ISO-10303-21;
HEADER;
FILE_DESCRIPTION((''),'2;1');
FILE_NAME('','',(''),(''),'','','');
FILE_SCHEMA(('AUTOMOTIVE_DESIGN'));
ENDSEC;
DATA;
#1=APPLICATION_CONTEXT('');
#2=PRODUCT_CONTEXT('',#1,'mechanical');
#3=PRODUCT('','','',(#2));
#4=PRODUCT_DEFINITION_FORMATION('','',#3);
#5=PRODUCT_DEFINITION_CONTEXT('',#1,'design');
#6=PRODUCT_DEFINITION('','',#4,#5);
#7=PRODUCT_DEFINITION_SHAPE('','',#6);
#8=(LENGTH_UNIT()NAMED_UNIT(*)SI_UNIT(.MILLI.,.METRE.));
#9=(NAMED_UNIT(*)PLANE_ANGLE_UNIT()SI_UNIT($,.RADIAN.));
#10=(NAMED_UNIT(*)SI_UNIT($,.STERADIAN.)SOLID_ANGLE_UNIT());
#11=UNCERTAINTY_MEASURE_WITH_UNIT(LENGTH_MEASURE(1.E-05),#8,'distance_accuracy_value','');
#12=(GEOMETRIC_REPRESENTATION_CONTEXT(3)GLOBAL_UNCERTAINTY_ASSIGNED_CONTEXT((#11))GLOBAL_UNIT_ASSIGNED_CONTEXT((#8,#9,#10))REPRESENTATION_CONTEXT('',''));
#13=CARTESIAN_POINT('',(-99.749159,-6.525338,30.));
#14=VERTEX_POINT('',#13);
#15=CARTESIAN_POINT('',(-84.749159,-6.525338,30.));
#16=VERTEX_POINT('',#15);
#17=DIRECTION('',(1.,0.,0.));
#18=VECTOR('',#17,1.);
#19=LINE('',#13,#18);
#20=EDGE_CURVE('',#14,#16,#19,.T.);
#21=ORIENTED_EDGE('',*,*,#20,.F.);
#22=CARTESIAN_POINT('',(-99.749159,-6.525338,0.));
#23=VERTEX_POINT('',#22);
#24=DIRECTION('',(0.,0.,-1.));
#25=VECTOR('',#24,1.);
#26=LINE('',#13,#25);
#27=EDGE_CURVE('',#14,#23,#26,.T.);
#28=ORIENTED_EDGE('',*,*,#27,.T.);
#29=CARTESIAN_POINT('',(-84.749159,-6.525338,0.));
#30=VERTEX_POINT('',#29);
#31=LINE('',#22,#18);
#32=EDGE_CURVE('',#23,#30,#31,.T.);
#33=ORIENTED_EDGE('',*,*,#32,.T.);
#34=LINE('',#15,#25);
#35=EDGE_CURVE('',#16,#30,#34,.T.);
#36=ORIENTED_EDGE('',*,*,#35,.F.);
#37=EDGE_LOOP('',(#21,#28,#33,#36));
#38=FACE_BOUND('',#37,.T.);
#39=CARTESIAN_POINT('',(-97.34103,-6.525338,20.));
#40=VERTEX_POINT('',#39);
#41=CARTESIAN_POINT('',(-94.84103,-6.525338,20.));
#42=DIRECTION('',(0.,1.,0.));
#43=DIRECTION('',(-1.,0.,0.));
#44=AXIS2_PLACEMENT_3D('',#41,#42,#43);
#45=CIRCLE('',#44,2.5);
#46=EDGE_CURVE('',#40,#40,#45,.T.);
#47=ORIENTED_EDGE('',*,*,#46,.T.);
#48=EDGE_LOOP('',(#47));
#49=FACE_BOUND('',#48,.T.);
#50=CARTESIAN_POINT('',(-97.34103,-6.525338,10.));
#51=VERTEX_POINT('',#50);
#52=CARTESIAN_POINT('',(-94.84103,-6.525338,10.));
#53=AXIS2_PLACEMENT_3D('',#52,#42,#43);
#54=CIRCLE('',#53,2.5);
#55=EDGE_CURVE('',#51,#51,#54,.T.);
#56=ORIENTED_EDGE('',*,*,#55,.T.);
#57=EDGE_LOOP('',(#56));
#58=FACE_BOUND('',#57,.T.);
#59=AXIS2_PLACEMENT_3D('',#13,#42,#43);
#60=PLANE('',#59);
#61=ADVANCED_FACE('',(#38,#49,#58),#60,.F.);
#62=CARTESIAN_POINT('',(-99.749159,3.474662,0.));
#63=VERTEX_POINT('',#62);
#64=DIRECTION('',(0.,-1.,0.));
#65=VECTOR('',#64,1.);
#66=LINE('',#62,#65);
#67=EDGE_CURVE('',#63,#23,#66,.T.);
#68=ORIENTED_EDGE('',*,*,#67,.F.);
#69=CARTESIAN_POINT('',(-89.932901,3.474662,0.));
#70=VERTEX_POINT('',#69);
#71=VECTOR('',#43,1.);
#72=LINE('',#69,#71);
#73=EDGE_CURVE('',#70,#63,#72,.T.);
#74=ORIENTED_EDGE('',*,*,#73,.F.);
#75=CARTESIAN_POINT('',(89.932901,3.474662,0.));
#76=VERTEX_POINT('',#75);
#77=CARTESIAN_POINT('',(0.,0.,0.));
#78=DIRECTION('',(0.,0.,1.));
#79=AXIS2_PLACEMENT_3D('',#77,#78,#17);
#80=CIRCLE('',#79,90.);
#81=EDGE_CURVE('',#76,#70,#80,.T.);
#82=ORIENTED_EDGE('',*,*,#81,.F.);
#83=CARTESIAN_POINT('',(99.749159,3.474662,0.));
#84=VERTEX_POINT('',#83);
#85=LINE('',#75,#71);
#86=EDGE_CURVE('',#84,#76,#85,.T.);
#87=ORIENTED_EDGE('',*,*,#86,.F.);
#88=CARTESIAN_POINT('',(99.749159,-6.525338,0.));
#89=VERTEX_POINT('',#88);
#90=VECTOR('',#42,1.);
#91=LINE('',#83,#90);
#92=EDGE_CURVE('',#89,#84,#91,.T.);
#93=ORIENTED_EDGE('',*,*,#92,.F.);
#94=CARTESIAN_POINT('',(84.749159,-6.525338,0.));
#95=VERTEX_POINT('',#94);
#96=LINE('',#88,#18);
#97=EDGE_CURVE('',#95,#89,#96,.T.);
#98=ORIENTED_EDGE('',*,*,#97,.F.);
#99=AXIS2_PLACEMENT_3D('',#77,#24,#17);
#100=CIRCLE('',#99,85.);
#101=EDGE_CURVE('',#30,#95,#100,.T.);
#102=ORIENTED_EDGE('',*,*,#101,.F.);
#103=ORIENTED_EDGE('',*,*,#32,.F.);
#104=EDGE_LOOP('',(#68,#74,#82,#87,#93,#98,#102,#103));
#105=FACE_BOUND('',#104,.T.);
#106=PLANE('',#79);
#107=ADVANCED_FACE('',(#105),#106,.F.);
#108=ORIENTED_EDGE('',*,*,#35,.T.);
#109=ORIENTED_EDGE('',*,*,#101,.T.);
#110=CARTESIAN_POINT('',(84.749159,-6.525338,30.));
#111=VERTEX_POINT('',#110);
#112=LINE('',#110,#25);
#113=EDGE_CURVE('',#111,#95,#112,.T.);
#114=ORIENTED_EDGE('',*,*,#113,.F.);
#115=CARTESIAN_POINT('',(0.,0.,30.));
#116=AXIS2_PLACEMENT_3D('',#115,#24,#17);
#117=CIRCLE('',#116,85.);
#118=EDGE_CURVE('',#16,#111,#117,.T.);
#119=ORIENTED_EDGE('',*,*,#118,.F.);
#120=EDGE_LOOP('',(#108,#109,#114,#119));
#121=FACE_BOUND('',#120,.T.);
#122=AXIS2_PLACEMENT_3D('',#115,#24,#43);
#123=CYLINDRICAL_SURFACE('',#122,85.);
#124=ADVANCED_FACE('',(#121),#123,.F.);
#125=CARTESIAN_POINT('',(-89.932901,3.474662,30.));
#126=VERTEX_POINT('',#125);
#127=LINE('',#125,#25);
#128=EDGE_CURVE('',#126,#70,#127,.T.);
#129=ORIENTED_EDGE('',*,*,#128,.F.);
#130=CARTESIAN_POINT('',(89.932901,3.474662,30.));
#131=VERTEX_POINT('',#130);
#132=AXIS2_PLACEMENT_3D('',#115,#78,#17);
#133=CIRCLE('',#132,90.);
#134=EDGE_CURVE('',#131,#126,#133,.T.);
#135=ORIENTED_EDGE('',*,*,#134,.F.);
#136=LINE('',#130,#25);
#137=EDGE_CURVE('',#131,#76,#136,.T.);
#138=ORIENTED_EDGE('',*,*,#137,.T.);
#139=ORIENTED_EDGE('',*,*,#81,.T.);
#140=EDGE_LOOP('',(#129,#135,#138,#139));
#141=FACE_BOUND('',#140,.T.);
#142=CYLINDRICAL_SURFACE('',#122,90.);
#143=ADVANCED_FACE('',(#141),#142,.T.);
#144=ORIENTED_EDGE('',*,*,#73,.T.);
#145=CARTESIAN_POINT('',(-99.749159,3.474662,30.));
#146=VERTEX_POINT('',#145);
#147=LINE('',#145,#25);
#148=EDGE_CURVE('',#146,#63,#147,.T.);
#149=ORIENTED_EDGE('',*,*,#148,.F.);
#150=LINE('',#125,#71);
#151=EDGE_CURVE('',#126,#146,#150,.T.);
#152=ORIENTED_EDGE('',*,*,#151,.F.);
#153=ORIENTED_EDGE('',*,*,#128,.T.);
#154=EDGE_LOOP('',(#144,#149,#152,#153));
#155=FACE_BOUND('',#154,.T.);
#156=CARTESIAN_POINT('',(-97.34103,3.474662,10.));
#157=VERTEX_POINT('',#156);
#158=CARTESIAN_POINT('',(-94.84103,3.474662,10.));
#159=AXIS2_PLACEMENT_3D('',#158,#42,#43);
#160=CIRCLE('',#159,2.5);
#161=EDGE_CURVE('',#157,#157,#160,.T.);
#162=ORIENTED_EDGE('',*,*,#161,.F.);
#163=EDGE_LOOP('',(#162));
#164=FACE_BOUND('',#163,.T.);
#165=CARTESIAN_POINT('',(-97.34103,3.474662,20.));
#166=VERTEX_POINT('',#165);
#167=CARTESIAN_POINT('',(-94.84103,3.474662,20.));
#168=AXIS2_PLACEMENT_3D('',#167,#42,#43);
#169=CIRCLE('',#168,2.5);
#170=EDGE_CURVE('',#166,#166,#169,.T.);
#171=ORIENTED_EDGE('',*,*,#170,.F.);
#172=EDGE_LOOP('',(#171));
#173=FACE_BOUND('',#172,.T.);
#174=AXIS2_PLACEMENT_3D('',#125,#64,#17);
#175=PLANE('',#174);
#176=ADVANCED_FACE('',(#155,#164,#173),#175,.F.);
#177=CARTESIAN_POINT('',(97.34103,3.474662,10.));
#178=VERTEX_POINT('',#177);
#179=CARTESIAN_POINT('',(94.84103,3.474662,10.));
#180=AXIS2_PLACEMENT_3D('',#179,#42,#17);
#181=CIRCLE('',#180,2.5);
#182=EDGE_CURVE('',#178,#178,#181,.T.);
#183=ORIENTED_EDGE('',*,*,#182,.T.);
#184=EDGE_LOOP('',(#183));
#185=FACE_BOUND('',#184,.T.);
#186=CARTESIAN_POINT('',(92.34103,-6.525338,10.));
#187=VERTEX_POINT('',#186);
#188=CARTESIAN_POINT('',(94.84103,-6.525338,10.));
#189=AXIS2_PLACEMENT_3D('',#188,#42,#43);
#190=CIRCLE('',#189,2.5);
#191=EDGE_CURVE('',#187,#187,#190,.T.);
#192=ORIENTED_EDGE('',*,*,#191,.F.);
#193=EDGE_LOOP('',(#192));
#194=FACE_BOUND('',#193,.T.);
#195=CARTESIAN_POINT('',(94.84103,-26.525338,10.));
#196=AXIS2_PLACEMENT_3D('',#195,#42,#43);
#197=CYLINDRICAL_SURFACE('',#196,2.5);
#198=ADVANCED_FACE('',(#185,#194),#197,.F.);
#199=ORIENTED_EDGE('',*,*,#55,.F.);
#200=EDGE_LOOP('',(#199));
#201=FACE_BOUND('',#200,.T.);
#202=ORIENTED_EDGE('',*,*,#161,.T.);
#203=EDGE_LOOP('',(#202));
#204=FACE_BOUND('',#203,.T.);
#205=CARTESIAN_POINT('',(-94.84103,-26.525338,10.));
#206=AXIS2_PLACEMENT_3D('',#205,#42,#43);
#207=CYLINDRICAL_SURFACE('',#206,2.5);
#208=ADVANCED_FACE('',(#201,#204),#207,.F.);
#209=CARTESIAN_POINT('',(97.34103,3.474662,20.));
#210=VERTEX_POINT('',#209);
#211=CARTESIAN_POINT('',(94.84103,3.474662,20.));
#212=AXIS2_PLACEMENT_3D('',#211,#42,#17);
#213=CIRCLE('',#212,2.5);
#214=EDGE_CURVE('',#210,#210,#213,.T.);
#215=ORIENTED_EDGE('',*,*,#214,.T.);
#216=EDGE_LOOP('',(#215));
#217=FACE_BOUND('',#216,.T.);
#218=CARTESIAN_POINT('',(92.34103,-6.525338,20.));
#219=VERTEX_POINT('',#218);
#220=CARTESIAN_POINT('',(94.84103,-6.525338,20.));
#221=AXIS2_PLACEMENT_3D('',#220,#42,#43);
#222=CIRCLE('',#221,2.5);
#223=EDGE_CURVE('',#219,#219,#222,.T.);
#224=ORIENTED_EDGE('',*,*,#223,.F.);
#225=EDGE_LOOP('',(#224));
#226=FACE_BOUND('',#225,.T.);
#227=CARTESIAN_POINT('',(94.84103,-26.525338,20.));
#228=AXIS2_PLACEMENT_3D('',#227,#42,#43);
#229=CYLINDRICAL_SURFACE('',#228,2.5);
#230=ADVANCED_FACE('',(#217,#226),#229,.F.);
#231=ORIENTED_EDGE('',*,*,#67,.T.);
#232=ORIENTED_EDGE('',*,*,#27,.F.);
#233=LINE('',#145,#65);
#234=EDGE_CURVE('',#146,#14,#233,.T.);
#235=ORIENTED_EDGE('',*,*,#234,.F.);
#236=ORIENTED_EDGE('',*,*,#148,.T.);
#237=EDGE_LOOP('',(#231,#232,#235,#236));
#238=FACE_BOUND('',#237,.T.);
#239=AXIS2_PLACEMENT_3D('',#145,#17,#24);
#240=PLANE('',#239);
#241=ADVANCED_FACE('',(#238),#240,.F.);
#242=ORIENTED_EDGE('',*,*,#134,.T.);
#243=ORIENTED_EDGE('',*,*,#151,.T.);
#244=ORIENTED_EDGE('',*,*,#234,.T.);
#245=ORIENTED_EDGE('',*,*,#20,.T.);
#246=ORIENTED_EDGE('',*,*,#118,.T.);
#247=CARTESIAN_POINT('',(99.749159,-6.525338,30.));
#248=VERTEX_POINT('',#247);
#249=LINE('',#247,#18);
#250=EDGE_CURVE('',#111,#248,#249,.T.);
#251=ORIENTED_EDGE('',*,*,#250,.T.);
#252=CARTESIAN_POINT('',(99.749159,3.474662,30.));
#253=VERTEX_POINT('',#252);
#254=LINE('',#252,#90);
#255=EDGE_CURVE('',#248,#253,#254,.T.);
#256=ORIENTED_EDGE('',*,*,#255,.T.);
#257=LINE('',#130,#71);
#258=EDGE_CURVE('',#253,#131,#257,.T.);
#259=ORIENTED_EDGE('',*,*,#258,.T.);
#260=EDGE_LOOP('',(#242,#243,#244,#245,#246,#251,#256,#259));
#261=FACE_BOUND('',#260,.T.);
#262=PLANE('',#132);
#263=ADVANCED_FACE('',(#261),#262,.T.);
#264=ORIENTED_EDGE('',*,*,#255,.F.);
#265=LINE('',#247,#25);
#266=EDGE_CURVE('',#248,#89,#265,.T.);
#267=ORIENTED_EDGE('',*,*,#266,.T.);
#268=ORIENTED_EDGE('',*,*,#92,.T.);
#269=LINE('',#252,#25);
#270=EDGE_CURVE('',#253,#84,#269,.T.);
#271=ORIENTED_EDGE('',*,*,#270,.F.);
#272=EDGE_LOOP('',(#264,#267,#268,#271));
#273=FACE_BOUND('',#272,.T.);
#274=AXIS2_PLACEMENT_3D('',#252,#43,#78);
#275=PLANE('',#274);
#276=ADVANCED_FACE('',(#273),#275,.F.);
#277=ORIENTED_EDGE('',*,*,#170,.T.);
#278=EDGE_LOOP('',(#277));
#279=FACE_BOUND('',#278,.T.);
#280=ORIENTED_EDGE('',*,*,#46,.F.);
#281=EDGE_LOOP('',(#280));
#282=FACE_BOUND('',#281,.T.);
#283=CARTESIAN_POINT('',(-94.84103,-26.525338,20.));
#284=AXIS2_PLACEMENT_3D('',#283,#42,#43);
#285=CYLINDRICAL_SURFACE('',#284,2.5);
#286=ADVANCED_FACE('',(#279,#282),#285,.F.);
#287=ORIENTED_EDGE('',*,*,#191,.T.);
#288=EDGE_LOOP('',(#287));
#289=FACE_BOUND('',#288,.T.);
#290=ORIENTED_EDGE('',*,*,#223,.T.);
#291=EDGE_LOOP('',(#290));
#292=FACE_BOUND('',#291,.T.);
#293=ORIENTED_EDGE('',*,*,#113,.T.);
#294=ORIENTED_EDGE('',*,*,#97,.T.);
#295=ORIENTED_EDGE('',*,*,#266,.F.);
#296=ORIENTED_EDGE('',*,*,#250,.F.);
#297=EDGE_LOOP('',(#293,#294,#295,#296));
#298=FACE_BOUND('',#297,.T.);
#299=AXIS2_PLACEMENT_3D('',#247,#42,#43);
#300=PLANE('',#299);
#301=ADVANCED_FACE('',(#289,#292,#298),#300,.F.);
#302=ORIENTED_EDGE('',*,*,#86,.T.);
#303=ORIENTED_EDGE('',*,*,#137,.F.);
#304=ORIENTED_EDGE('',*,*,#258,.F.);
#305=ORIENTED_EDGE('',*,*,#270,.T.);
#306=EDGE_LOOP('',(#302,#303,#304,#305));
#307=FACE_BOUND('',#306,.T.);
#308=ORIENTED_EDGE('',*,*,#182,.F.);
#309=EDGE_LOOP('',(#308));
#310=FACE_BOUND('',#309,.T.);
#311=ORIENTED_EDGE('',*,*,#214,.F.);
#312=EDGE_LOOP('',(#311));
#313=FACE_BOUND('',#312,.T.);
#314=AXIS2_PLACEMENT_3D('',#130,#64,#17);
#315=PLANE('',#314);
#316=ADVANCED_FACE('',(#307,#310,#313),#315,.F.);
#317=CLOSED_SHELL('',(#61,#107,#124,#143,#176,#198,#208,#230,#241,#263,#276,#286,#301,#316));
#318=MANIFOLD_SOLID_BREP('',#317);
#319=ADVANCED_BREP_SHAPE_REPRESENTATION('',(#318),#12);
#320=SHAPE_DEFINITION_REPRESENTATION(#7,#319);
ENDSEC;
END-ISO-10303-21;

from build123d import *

# Parameters (mm, degrees)
BOSS_EXTRUDE1_DEPTH = 30
SKETCH2_R           = 2.5
CUT_EXTRUDE1_DEPTH  = 30


with BuildPart() as part:
    # Sketch1 → Boss-Extrude1 (new body)
    with BuildSketch(Plane.XY):
        with BuildLine():
            Line((89.932901242, 3.47466175), (99.749159056, 3.47466175))
            Line((99.749159056, 3.47466175), (99.749159056, -6.52533825))
            Line((99.749159056, -6.52533825), (84.749159056, -6.52533825))
            ThreePointArc((84.749159056, -6.52533825), (0, 85), (-84.749159056, -6.52533825))
            Line((-84.749159056, -6.52533825), (-99.749159056, -6.52533825))
            Line((-99.749159056, -6.52533825), (-99.749159056, 3.47466175))
            Line((-99.749159056, 3.47466175), (-89.932901242, 3.47466175))
            ThreePointArc((-89.932901242, 3.47466175), (0, 90), (89.932901242, 3.47466175))
        make_face()
    extrude(amount=BOSS_EXTRUDE1_DEPTH)

    # Sketch2 → Cut-Extrude1 (cut)
    with BuildSketch(Plane(origin=(0, 3.47466175, 0), x_dir=(1, 0, 0), z_dir=(0, 1, 0))):
        with Locations(Location((-94.841030149, -10, 0), (0, 0, 180))):
            Circle(SKETCH2_R)
        with Locations(Location((-94.841030149, -20, 0), (0, 0, 180))):
            Circle(SKETCH2_R)
        with Locations(Location((94.841030149, -20, 0), (0, 0, 180))):
            Circle(SKETCH2_R)
        with Locations(Location((94.841030149, -10, 0), (0, 0, 180))):
            Circle(SKETCH2_R)
    extrude(amount=-CUT_EXTRUDE1_DEPTH, mode=Mode.SUBTRACT)


solid = part.part
